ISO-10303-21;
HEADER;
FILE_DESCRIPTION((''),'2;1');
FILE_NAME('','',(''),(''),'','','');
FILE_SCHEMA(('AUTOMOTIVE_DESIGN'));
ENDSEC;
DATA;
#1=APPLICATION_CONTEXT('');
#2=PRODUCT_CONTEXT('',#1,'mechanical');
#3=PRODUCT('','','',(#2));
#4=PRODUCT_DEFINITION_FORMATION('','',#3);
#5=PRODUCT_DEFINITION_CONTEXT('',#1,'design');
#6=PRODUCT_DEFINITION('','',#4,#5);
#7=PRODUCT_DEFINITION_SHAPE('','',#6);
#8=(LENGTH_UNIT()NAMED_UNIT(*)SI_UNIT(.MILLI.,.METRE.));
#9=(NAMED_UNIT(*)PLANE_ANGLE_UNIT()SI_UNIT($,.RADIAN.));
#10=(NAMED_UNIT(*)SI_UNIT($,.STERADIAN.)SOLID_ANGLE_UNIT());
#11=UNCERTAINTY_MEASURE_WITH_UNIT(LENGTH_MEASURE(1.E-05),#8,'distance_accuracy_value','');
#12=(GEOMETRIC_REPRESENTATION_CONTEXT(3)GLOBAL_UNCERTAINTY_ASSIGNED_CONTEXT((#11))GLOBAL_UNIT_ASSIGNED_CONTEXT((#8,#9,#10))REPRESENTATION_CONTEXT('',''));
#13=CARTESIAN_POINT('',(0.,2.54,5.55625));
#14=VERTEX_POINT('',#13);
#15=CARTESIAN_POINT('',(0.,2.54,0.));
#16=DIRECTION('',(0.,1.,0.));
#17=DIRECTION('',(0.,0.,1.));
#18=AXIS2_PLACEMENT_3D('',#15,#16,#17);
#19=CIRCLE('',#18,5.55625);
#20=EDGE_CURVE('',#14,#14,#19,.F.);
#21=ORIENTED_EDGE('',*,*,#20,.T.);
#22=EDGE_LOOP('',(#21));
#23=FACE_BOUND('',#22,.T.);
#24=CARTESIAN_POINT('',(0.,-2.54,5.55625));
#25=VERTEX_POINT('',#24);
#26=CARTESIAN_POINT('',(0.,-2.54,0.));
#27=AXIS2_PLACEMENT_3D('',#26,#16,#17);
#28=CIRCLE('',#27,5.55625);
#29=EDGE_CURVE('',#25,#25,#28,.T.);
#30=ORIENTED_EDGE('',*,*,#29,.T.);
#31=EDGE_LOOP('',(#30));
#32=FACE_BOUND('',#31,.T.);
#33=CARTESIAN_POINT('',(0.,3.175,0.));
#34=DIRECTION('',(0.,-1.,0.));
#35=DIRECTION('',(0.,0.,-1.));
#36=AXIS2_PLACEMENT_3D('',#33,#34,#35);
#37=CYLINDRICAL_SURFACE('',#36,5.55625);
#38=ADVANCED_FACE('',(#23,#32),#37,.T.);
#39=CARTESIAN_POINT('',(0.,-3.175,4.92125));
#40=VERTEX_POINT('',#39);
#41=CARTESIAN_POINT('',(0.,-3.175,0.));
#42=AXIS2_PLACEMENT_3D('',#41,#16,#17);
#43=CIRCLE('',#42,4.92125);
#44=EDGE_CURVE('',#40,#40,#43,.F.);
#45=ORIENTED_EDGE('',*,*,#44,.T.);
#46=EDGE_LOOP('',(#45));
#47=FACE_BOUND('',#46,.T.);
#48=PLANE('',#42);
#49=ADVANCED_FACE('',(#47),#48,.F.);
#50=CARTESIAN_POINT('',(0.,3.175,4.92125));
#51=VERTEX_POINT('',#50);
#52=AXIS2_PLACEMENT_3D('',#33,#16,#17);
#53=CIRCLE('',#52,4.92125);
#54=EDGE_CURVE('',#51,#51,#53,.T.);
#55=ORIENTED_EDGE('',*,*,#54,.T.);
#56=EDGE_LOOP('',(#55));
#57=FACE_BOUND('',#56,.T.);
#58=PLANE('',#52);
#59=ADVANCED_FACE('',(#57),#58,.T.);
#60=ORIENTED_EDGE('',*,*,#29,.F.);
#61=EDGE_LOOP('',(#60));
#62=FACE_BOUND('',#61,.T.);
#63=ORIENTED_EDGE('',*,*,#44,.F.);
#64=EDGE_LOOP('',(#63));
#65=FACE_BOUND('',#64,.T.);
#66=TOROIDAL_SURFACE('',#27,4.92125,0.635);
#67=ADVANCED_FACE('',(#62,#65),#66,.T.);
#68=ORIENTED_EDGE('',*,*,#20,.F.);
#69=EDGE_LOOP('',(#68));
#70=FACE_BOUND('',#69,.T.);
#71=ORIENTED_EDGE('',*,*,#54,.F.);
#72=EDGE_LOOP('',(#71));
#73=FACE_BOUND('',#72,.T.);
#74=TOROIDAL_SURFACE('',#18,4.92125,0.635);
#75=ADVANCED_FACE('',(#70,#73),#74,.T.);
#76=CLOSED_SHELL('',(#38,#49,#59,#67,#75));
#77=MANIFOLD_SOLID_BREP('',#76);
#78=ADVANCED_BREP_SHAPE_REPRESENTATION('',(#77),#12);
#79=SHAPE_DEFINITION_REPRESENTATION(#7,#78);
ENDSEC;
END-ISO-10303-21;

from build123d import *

# Parameters (mm, degrees)
SKETCH1_R           = 5.55625
BOSS_EXTRUDE1_DEPTH = 3.175
FILLET1_R           = 0.635


with BuildPart() as part:
    # Sketch1 → Boss-Extrude1 (new, symmetric)
    with BuildSketch(Plane(origin=(0, 0, 0), x_dir=(1, 0, 0), z_dir=(0, 1, 0))):
        with Locations(Location((0, 0, 0), (0, 0, 270))):
            Circle(SKETCH1_R)
    extrude(amount=BOSS_EXTRUDE1_DEPTH, both=True)

    # Fillet1
    fillet1_edges = [part.edges().sort_by_distance(p)[0] for p in [
        (0, -3.175, -5.55625),
        (0, 3.175, -5.55625),
    ]]
    fillet(fillet1_edges, radius=FILLET1_R)


solid = part.part
